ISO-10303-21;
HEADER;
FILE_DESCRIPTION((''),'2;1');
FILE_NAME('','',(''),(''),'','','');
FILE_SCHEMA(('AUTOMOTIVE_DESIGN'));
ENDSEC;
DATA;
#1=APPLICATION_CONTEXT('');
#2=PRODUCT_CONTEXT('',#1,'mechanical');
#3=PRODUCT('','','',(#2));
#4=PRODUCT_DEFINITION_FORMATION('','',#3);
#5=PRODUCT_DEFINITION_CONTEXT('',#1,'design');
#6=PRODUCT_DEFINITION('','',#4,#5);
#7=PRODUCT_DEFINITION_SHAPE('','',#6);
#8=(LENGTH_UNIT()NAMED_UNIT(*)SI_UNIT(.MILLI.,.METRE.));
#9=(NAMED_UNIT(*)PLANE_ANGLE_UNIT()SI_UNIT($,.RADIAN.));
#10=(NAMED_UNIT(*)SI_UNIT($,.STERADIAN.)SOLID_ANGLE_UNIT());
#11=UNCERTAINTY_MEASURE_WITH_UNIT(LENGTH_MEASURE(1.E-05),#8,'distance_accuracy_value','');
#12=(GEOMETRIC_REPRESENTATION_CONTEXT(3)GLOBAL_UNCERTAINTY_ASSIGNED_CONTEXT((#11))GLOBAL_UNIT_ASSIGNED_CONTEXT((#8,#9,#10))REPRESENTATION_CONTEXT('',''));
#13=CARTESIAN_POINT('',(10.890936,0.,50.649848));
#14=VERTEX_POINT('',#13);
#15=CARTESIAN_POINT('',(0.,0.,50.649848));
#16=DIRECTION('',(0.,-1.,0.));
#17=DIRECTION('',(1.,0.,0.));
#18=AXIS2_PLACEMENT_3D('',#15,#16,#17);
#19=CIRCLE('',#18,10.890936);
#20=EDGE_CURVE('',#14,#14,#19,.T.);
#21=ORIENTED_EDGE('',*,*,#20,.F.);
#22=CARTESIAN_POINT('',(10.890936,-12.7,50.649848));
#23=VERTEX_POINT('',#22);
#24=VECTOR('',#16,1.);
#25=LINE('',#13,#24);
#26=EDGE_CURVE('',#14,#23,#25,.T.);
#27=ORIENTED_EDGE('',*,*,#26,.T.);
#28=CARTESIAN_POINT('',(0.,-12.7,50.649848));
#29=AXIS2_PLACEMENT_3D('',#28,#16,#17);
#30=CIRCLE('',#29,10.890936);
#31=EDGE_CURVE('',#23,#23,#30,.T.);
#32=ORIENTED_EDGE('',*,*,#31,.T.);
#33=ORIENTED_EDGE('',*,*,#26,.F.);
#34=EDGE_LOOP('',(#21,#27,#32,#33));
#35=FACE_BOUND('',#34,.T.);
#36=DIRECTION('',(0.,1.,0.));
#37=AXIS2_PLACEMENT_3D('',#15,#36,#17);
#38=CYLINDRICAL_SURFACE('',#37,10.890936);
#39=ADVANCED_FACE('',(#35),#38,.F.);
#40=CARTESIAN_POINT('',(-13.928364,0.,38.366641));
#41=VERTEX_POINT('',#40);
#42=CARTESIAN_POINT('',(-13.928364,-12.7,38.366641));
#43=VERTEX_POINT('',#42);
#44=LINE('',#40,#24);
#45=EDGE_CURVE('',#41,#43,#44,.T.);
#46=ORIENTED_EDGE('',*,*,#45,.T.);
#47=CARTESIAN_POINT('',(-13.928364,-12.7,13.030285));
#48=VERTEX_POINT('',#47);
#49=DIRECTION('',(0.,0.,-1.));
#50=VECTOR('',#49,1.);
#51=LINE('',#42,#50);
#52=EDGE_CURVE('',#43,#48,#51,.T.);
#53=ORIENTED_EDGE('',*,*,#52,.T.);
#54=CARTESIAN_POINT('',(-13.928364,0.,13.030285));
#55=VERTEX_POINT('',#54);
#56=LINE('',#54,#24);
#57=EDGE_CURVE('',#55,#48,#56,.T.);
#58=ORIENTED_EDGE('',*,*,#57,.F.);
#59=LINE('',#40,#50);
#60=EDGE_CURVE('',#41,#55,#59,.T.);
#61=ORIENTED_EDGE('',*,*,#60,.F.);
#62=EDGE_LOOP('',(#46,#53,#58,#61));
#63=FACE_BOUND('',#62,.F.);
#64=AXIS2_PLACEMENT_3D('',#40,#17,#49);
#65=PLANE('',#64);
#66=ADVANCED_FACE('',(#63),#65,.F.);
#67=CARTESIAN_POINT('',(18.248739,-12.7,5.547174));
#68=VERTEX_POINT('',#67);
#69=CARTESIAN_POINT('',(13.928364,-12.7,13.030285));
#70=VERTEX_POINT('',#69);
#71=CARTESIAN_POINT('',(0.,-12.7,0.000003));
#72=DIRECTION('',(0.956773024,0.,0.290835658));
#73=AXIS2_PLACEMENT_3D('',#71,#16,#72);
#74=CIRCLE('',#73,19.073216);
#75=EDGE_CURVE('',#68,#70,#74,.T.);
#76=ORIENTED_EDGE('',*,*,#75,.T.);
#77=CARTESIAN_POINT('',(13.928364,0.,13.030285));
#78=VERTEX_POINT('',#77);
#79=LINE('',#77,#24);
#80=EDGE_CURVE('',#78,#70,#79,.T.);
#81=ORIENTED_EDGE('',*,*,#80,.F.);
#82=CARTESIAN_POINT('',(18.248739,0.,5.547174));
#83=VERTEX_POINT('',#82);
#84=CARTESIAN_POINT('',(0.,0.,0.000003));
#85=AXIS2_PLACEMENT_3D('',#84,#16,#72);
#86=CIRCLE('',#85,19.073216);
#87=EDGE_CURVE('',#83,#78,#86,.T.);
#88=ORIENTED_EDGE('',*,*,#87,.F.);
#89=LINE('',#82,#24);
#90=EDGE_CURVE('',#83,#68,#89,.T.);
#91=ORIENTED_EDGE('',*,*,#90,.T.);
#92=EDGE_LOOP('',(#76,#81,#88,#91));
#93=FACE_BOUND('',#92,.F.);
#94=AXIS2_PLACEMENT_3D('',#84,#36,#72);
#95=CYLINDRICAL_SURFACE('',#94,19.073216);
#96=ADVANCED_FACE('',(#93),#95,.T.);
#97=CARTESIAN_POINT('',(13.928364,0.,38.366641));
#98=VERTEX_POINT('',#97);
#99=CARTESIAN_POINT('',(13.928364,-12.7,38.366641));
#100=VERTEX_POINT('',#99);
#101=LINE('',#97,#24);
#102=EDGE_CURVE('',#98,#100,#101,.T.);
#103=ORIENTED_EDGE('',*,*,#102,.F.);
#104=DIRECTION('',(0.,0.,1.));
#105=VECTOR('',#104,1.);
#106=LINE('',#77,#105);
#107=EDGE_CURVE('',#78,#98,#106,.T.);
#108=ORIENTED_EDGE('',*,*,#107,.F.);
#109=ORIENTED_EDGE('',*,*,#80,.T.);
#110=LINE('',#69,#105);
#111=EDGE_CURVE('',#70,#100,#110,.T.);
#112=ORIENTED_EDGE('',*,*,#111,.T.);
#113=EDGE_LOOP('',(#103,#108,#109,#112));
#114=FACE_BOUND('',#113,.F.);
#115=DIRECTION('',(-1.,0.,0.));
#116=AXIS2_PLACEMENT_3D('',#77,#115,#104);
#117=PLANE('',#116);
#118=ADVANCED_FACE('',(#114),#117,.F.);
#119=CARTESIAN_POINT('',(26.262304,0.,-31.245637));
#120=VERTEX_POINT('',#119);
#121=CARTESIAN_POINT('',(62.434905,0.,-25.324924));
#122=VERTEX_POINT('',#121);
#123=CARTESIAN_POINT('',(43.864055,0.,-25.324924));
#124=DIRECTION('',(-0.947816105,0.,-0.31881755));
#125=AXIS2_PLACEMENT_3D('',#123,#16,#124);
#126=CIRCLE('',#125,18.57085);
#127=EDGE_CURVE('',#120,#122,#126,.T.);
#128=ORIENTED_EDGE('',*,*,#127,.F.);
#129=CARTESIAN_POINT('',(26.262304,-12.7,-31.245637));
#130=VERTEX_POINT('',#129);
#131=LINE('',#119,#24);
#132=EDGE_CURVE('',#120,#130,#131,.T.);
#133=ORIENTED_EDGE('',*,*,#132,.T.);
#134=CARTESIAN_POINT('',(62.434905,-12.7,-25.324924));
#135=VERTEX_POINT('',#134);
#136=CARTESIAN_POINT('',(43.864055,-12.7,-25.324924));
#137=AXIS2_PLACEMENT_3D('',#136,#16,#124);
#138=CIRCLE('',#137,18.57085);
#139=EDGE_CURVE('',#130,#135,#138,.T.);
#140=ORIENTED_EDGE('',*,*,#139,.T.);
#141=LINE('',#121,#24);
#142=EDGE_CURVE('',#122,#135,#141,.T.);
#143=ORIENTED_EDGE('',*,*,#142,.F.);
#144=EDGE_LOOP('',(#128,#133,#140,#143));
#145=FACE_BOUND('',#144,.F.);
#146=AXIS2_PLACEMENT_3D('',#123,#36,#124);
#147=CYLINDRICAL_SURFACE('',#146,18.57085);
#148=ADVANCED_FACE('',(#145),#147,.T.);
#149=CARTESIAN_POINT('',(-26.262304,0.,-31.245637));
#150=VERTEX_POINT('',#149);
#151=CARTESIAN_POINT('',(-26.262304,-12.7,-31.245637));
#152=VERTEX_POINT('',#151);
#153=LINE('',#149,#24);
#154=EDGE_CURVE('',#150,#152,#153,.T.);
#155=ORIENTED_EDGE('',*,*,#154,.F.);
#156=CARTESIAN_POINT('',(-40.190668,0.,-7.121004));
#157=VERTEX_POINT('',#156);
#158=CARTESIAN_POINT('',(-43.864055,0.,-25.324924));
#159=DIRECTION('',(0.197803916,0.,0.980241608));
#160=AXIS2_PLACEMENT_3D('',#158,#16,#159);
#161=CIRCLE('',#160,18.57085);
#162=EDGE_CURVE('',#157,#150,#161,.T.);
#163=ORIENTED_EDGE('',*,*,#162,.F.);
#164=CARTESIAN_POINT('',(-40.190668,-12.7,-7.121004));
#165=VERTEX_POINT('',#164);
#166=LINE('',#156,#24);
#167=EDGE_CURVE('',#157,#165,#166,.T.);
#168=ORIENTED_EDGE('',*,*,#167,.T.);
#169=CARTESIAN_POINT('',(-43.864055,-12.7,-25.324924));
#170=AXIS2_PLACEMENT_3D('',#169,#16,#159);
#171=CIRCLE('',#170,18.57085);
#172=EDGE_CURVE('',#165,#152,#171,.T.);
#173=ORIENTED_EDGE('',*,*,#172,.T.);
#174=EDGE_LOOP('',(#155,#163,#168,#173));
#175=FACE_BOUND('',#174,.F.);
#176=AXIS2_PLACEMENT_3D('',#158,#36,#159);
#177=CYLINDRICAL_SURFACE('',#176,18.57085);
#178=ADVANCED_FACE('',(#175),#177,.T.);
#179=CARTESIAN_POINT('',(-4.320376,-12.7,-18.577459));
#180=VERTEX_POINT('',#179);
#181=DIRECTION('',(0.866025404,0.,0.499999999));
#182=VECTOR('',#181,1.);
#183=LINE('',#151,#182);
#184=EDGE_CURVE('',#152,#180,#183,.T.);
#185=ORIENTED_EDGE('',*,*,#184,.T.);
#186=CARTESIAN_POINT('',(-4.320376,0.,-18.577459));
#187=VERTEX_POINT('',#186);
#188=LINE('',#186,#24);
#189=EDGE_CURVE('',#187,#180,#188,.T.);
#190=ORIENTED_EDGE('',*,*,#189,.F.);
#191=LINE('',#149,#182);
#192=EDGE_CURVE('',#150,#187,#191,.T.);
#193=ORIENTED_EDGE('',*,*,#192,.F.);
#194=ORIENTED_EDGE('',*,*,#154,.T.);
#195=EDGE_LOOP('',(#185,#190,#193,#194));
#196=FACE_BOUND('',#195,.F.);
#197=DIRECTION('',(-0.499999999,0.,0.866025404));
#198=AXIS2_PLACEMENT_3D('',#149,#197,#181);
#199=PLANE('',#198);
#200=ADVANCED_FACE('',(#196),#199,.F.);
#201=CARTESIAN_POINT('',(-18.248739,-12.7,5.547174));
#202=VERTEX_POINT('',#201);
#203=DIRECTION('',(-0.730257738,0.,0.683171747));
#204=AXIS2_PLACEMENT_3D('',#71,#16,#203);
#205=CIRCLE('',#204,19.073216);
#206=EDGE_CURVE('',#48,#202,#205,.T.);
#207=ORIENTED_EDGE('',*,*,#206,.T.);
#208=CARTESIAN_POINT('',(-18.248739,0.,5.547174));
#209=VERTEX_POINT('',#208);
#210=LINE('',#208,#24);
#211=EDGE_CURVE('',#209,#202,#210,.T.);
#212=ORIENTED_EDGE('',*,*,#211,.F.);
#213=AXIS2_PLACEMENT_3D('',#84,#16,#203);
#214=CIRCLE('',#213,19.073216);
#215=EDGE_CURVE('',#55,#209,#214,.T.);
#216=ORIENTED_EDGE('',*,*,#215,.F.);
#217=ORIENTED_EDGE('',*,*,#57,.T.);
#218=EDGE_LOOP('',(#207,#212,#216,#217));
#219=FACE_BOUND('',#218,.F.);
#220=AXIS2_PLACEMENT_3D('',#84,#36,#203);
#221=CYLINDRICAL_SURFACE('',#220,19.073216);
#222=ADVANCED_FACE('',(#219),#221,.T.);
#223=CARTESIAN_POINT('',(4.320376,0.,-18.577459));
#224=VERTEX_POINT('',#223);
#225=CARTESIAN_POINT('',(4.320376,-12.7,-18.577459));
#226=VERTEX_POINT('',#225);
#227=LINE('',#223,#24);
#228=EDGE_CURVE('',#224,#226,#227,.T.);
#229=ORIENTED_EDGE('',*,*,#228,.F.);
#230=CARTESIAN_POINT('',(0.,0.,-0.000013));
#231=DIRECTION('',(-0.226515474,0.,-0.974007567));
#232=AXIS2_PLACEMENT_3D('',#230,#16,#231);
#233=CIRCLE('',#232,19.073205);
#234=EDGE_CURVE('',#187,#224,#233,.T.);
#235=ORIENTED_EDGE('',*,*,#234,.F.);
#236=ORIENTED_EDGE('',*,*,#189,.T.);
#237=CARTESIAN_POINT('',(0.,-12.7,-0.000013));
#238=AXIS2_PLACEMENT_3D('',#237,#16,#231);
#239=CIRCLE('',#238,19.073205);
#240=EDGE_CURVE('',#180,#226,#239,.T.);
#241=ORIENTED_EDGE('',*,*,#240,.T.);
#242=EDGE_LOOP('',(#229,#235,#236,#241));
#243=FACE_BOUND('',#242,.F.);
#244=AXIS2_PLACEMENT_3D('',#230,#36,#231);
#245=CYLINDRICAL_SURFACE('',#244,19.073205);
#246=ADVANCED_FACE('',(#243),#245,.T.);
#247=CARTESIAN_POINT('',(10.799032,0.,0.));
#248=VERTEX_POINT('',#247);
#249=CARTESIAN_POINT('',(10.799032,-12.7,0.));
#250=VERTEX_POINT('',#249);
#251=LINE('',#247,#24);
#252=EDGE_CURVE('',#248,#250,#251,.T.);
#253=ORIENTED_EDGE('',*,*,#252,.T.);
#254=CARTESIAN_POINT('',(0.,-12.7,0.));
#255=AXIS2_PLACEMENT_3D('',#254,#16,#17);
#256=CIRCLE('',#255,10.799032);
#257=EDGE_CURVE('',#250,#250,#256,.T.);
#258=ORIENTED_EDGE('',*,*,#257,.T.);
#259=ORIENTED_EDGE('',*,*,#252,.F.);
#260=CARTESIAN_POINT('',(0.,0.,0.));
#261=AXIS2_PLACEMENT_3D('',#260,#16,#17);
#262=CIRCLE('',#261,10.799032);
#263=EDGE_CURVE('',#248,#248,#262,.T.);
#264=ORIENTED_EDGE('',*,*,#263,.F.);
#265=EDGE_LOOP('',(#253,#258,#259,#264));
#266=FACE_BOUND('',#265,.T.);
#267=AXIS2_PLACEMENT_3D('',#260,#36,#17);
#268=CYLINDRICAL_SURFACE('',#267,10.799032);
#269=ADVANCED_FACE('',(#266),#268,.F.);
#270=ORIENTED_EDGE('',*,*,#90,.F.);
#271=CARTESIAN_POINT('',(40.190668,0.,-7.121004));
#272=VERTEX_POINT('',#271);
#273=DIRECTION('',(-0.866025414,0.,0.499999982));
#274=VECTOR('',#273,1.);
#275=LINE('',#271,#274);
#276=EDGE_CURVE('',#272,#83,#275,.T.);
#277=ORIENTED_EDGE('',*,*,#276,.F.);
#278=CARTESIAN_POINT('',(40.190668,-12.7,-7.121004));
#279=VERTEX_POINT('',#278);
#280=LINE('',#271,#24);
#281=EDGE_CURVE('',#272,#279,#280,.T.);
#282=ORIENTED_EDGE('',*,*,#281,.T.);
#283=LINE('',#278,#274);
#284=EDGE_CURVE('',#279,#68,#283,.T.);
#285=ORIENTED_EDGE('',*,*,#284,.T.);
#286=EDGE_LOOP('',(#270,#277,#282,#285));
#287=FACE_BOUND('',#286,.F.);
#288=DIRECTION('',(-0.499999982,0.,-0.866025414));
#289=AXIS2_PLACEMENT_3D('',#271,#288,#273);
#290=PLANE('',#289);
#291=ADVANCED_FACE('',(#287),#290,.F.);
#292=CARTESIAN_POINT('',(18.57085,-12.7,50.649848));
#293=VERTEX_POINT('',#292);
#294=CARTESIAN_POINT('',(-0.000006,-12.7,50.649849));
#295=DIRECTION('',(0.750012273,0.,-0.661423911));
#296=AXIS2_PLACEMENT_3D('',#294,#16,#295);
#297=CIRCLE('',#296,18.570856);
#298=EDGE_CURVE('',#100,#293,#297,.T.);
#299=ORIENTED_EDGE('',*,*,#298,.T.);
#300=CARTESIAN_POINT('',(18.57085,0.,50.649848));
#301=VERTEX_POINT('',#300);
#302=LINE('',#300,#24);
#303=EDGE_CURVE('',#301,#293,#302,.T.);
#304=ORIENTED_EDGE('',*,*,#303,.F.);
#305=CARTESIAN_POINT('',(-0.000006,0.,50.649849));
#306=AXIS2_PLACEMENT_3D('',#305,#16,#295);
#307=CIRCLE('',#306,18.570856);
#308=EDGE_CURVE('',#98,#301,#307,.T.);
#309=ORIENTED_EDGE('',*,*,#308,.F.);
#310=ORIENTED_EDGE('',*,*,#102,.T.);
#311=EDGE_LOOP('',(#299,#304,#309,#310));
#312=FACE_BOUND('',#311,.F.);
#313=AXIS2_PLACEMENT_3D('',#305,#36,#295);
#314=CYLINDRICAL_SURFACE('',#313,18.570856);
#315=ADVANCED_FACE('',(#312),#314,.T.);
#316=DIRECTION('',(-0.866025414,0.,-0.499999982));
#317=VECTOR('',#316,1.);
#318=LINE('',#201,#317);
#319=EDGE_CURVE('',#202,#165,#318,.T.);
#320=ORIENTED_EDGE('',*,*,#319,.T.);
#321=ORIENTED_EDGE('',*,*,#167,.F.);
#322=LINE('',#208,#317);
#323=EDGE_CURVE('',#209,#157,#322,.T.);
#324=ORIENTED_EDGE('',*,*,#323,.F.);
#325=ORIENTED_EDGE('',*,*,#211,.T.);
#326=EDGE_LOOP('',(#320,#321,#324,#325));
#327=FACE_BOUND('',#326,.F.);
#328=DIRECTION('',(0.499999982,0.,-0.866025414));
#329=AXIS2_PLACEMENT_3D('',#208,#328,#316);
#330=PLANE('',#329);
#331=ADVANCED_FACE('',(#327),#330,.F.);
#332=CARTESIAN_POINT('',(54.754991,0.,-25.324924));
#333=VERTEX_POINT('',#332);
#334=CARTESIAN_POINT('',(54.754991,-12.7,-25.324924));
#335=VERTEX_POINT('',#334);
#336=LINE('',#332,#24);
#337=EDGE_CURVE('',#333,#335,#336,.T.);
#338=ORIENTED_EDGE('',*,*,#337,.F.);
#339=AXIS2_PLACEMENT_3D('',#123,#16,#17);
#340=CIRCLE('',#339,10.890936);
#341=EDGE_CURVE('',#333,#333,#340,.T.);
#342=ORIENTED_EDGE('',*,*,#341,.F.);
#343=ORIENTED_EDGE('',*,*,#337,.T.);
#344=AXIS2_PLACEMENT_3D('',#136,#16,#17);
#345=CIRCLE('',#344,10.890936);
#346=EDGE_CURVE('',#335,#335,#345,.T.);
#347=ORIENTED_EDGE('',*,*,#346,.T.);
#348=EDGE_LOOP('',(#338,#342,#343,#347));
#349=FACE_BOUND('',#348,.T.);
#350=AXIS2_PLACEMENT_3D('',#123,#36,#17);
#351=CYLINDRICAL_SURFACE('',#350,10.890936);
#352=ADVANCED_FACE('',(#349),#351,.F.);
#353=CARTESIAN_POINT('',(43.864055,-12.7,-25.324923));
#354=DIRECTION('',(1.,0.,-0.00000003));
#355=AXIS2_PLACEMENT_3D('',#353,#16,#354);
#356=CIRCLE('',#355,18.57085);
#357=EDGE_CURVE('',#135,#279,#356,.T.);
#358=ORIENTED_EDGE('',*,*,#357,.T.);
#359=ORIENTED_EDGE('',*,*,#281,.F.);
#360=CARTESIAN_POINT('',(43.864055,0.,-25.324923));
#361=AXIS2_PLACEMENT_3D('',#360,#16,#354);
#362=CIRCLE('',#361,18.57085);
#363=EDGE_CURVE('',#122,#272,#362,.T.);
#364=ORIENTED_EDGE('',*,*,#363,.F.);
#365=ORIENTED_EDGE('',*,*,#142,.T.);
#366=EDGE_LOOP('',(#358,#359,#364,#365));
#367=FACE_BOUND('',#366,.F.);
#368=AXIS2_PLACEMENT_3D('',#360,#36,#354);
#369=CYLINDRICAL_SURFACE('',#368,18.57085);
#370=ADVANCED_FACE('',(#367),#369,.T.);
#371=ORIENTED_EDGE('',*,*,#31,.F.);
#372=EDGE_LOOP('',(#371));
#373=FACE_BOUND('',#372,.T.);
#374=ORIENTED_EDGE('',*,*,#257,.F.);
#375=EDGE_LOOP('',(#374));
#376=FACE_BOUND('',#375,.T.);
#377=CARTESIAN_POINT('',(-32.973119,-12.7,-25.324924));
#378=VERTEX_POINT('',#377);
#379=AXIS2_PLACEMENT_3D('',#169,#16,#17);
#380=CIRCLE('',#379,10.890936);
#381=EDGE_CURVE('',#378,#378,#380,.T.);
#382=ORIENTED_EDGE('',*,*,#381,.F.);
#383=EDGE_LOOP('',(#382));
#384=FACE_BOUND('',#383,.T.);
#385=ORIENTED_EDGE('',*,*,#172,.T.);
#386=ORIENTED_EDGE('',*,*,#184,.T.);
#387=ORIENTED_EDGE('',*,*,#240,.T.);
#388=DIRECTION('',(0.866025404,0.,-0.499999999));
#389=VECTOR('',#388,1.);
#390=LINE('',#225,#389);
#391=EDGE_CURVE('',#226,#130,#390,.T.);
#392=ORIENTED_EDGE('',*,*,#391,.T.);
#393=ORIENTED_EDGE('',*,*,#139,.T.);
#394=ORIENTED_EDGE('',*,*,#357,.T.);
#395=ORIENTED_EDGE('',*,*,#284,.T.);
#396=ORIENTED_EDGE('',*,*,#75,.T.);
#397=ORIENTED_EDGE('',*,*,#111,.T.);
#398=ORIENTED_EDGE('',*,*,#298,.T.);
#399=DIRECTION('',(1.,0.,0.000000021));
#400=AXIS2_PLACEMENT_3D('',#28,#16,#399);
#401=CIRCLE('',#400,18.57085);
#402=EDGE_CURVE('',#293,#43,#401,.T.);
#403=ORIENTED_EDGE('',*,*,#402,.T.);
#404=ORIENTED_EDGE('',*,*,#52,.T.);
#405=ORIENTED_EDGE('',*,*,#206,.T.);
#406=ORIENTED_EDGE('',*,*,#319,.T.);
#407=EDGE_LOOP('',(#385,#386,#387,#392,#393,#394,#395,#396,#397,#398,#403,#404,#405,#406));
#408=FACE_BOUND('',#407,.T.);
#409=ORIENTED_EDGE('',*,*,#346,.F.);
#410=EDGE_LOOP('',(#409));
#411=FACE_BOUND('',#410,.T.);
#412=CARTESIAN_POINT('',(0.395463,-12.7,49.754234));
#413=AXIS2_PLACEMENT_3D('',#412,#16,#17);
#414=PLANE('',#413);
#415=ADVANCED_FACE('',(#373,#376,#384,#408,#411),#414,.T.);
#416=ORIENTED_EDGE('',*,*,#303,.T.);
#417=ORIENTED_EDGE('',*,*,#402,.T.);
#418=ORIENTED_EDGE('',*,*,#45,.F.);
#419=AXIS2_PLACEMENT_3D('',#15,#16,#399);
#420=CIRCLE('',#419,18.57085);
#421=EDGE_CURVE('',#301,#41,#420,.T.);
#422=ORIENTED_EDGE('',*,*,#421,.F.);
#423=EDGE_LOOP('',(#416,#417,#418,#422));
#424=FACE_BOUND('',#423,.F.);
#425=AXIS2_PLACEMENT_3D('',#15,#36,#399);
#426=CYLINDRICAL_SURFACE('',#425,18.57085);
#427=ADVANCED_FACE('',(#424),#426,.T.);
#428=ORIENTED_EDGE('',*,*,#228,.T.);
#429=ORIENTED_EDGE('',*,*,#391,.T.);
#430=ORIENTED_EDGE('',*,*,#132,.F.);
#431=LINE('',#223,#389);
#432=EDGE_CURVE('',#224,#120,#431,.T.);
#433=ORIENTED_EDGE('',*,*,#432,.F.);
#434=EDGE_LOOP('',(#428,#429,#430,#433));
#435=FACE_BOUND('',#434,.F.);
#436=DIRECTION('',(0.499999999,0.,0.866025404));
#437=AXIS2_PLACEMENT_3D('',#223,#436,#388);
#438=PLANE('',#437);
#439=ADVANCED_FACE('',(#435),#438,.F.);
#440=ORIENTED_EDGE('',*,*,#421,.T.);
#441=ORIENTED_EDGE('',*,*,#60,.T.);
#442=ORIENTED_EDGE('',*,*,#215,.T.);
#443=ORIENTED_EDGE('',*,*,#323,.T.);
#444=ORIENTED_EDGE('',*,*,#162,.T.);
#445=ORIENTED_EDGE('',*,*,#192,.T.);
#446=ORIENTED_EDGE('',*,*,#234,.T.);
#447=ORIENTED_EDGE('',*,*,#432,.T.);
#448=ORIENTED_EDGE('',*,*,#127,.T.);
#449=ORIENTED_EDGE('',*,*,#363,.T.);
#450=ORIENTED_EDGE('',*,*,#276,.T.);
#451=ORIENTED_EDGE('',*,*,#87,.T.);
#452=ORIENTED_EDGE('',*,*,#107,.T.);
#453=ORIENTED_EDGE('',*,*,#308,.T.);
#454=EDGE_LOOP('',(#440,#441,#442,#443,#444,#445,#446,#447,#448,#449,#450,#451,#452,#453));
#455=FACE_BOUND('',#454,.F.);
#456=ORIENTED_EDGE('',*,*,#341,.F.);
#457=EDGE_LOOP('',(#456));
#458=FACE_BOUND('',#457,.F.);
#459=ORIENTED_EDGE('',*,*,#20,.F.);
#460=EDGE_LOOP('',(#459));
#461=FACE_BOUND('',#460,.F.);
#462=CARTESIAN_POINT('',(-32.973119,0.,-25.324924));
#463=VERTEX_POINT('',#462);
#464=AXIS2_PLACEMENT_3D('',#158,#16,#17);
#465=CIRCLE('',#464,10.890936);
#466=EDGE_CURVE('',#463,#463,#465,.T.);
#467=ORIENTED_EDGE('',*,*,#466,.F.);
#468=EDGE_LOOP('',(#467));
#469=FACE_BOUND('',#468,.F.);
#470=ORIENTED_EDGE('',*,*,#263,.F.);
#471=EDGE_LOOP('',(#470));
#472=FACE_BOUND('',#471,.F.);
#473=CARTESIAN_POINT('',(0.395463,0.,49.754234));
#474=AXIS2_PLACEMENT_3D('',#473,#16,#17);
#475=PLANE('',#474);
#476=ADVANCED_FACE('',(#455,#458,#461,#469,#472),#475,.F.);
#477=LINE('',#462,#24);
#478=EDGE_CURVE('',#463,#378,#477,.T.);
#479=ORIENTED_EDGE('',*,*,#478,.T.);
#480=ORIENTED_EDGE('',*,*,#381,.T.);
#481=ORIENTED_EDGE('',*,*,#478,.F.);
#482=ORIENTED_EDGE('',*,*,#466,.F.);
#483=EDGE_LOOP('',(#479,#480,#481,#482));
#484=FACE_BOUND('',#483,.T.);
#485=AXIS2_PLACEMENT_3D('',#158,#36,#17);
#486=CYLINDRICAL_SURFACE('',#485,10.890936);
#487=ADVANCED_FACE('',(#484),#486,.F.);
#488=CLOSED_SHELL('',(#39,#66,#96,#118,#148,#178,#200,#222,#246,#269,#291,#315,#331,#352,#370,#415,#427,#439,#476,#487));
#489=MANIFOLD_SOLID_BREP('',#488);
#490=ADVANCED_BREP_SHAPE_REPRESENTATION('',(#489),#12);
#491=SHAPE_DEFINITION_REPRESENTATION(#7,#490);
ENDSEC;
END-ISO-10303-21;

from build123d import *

# Parameters (mm, degrees)
F0_R     = 10.890936
F0_R_2   = 10.799032
F1_DEPTH = 12.7


with BuildPart() as f1:
    # F0 (on Front) → F1 (new body)
    with BuildSketch(Plane.XZ):
        with BuildLine():
            ThreePointArc((13.928364, 38.366641), (17.3715, 44.084221), (18.57085, 50.649848))
            ThreePointArc((18.57085, 50.649848), (-6.565627, 68.021348), (-13.928364, 38.366641))
            ThreePointArc((-13.928364, 38.366641), (0, 32.078998), (13.928364, 38.366641))
        make_face()
        with Locations((0, 50.649848)):
            Circle(F0_R, mode=Mode.SUBTRACT)
        with BuildLine():
            ThreePointArc((13.928364, 38.366641), (0, 32.078998), (-13.928364, 38.366641))
            Line((-13.928364, 38.366641), (-13.928364, 13.030285))
            ThreePointArc((-13.928364, 13.030285), (0, 19.073218), (13.928364, 13.030285))
            Line((13.928364, 13.030285), (13.928364, 38.366641))
        make_face()
        with BuildLine():
            ThreePointArc((-4.320376, -18.577459), (-16.517891, -9.536609), (-18.248739, 5.547174))
            Line((-18.248739, 5.547174), (-40.190668, -7.121004))
            ThreePointArc((-40.190668, -7.121004), (-29.492305, -13.563577), (-25.293205, -25.324924))
            ThreePointArc((-25.293205, -25.324924), (-25.537081, -28.324674), (-26.262304, -31.245637))
            Line((-26.262304, -31.245637), (-4.320376, -18.577459))
        make_face()
        with BuildLine():
            ThreePointArc((13.928364, 13.030285), (0, 19.073218), (-13.928364, 13.030285))
            ThreePointArc((-13.928364, 13.030285), (-16.517891, 9.536609), (-18.248739, 5.547174))
            ThreePointArc((-18.248739, 5.547174), (-16.517891, -9.536609), (-4.320376, -18.577459))
            ThreePointArc((-4.320376, -18.577459), (0, -19.073218), (4.320376, -18.577459))
            ThreePointArc((4.320376, -18.577459), (14.936383, -11.861369), (19.073218, 0))
            ThreePointArc((19.073218, 0), (18.865972, 2.804055), (18.248739, 5.547174))
            ThreePointArc((18.248739, 5.547174), (16.517891, 9.536609), (13.928364, 13.030285))
        make_face()
        Circle(F0_R_2, mode=Mode.SUBTRACT)
        with BuildLine():
            ThreePointArc((-25.293205, -25.324924), (-29.492305, -13.563577), (-40.190668, -7.121004))
            ThreePointArc((-40.190668, -7.121004), (-59.946883, -34.610349), (-26.262304, -31.245637))
            ThreePointArc((-26.262304, -31.245637), (-25.537081, -28.324674), (-25.293205, -25.324924))
        make_face()
        with Locations((-43.864055, -25.324924)):
            Circle(F0_R, mode=Mode.SUBTRACT)
        with BuildLine():
            Line((40.190668, -7.121004), (18.248739, 5.547174))
            ThreePointArc((18.248739, 5.547174), (18.865972, 2.804055), (19.073218, 0))
            ThreePointArc((19.073218, 0), (14.936383, -11.861369), (4.320376, -18.577459))
            Line((4.320376, -18.577459), (26.262304, -31.245637))
            ThreePointArc((26.262304, -31.245637), (27.781227, -16.039499), (40.190668, -7.121004))
        make_face()
        with BuildLine():
            ThreePointArc((62.434905, -25.324924), (55.625402, -10.953174), (40.190668, -7.121004))
            ThreePointArc((40.190668, -7.121004), (27.781227, -16.039499), (26.262304, -31.245637))
            ThreePointArc((26.262304, -31.245637), (46.863805, -43.651898), (62.434905, -25.324924))
        make_face()
        with Locations((43.864055, -25.324924)):
            Circle(F0_R, mode=Mode.SUBTRACT)
    extrude(amount=F1_DEPTH)


solid = f1.part
